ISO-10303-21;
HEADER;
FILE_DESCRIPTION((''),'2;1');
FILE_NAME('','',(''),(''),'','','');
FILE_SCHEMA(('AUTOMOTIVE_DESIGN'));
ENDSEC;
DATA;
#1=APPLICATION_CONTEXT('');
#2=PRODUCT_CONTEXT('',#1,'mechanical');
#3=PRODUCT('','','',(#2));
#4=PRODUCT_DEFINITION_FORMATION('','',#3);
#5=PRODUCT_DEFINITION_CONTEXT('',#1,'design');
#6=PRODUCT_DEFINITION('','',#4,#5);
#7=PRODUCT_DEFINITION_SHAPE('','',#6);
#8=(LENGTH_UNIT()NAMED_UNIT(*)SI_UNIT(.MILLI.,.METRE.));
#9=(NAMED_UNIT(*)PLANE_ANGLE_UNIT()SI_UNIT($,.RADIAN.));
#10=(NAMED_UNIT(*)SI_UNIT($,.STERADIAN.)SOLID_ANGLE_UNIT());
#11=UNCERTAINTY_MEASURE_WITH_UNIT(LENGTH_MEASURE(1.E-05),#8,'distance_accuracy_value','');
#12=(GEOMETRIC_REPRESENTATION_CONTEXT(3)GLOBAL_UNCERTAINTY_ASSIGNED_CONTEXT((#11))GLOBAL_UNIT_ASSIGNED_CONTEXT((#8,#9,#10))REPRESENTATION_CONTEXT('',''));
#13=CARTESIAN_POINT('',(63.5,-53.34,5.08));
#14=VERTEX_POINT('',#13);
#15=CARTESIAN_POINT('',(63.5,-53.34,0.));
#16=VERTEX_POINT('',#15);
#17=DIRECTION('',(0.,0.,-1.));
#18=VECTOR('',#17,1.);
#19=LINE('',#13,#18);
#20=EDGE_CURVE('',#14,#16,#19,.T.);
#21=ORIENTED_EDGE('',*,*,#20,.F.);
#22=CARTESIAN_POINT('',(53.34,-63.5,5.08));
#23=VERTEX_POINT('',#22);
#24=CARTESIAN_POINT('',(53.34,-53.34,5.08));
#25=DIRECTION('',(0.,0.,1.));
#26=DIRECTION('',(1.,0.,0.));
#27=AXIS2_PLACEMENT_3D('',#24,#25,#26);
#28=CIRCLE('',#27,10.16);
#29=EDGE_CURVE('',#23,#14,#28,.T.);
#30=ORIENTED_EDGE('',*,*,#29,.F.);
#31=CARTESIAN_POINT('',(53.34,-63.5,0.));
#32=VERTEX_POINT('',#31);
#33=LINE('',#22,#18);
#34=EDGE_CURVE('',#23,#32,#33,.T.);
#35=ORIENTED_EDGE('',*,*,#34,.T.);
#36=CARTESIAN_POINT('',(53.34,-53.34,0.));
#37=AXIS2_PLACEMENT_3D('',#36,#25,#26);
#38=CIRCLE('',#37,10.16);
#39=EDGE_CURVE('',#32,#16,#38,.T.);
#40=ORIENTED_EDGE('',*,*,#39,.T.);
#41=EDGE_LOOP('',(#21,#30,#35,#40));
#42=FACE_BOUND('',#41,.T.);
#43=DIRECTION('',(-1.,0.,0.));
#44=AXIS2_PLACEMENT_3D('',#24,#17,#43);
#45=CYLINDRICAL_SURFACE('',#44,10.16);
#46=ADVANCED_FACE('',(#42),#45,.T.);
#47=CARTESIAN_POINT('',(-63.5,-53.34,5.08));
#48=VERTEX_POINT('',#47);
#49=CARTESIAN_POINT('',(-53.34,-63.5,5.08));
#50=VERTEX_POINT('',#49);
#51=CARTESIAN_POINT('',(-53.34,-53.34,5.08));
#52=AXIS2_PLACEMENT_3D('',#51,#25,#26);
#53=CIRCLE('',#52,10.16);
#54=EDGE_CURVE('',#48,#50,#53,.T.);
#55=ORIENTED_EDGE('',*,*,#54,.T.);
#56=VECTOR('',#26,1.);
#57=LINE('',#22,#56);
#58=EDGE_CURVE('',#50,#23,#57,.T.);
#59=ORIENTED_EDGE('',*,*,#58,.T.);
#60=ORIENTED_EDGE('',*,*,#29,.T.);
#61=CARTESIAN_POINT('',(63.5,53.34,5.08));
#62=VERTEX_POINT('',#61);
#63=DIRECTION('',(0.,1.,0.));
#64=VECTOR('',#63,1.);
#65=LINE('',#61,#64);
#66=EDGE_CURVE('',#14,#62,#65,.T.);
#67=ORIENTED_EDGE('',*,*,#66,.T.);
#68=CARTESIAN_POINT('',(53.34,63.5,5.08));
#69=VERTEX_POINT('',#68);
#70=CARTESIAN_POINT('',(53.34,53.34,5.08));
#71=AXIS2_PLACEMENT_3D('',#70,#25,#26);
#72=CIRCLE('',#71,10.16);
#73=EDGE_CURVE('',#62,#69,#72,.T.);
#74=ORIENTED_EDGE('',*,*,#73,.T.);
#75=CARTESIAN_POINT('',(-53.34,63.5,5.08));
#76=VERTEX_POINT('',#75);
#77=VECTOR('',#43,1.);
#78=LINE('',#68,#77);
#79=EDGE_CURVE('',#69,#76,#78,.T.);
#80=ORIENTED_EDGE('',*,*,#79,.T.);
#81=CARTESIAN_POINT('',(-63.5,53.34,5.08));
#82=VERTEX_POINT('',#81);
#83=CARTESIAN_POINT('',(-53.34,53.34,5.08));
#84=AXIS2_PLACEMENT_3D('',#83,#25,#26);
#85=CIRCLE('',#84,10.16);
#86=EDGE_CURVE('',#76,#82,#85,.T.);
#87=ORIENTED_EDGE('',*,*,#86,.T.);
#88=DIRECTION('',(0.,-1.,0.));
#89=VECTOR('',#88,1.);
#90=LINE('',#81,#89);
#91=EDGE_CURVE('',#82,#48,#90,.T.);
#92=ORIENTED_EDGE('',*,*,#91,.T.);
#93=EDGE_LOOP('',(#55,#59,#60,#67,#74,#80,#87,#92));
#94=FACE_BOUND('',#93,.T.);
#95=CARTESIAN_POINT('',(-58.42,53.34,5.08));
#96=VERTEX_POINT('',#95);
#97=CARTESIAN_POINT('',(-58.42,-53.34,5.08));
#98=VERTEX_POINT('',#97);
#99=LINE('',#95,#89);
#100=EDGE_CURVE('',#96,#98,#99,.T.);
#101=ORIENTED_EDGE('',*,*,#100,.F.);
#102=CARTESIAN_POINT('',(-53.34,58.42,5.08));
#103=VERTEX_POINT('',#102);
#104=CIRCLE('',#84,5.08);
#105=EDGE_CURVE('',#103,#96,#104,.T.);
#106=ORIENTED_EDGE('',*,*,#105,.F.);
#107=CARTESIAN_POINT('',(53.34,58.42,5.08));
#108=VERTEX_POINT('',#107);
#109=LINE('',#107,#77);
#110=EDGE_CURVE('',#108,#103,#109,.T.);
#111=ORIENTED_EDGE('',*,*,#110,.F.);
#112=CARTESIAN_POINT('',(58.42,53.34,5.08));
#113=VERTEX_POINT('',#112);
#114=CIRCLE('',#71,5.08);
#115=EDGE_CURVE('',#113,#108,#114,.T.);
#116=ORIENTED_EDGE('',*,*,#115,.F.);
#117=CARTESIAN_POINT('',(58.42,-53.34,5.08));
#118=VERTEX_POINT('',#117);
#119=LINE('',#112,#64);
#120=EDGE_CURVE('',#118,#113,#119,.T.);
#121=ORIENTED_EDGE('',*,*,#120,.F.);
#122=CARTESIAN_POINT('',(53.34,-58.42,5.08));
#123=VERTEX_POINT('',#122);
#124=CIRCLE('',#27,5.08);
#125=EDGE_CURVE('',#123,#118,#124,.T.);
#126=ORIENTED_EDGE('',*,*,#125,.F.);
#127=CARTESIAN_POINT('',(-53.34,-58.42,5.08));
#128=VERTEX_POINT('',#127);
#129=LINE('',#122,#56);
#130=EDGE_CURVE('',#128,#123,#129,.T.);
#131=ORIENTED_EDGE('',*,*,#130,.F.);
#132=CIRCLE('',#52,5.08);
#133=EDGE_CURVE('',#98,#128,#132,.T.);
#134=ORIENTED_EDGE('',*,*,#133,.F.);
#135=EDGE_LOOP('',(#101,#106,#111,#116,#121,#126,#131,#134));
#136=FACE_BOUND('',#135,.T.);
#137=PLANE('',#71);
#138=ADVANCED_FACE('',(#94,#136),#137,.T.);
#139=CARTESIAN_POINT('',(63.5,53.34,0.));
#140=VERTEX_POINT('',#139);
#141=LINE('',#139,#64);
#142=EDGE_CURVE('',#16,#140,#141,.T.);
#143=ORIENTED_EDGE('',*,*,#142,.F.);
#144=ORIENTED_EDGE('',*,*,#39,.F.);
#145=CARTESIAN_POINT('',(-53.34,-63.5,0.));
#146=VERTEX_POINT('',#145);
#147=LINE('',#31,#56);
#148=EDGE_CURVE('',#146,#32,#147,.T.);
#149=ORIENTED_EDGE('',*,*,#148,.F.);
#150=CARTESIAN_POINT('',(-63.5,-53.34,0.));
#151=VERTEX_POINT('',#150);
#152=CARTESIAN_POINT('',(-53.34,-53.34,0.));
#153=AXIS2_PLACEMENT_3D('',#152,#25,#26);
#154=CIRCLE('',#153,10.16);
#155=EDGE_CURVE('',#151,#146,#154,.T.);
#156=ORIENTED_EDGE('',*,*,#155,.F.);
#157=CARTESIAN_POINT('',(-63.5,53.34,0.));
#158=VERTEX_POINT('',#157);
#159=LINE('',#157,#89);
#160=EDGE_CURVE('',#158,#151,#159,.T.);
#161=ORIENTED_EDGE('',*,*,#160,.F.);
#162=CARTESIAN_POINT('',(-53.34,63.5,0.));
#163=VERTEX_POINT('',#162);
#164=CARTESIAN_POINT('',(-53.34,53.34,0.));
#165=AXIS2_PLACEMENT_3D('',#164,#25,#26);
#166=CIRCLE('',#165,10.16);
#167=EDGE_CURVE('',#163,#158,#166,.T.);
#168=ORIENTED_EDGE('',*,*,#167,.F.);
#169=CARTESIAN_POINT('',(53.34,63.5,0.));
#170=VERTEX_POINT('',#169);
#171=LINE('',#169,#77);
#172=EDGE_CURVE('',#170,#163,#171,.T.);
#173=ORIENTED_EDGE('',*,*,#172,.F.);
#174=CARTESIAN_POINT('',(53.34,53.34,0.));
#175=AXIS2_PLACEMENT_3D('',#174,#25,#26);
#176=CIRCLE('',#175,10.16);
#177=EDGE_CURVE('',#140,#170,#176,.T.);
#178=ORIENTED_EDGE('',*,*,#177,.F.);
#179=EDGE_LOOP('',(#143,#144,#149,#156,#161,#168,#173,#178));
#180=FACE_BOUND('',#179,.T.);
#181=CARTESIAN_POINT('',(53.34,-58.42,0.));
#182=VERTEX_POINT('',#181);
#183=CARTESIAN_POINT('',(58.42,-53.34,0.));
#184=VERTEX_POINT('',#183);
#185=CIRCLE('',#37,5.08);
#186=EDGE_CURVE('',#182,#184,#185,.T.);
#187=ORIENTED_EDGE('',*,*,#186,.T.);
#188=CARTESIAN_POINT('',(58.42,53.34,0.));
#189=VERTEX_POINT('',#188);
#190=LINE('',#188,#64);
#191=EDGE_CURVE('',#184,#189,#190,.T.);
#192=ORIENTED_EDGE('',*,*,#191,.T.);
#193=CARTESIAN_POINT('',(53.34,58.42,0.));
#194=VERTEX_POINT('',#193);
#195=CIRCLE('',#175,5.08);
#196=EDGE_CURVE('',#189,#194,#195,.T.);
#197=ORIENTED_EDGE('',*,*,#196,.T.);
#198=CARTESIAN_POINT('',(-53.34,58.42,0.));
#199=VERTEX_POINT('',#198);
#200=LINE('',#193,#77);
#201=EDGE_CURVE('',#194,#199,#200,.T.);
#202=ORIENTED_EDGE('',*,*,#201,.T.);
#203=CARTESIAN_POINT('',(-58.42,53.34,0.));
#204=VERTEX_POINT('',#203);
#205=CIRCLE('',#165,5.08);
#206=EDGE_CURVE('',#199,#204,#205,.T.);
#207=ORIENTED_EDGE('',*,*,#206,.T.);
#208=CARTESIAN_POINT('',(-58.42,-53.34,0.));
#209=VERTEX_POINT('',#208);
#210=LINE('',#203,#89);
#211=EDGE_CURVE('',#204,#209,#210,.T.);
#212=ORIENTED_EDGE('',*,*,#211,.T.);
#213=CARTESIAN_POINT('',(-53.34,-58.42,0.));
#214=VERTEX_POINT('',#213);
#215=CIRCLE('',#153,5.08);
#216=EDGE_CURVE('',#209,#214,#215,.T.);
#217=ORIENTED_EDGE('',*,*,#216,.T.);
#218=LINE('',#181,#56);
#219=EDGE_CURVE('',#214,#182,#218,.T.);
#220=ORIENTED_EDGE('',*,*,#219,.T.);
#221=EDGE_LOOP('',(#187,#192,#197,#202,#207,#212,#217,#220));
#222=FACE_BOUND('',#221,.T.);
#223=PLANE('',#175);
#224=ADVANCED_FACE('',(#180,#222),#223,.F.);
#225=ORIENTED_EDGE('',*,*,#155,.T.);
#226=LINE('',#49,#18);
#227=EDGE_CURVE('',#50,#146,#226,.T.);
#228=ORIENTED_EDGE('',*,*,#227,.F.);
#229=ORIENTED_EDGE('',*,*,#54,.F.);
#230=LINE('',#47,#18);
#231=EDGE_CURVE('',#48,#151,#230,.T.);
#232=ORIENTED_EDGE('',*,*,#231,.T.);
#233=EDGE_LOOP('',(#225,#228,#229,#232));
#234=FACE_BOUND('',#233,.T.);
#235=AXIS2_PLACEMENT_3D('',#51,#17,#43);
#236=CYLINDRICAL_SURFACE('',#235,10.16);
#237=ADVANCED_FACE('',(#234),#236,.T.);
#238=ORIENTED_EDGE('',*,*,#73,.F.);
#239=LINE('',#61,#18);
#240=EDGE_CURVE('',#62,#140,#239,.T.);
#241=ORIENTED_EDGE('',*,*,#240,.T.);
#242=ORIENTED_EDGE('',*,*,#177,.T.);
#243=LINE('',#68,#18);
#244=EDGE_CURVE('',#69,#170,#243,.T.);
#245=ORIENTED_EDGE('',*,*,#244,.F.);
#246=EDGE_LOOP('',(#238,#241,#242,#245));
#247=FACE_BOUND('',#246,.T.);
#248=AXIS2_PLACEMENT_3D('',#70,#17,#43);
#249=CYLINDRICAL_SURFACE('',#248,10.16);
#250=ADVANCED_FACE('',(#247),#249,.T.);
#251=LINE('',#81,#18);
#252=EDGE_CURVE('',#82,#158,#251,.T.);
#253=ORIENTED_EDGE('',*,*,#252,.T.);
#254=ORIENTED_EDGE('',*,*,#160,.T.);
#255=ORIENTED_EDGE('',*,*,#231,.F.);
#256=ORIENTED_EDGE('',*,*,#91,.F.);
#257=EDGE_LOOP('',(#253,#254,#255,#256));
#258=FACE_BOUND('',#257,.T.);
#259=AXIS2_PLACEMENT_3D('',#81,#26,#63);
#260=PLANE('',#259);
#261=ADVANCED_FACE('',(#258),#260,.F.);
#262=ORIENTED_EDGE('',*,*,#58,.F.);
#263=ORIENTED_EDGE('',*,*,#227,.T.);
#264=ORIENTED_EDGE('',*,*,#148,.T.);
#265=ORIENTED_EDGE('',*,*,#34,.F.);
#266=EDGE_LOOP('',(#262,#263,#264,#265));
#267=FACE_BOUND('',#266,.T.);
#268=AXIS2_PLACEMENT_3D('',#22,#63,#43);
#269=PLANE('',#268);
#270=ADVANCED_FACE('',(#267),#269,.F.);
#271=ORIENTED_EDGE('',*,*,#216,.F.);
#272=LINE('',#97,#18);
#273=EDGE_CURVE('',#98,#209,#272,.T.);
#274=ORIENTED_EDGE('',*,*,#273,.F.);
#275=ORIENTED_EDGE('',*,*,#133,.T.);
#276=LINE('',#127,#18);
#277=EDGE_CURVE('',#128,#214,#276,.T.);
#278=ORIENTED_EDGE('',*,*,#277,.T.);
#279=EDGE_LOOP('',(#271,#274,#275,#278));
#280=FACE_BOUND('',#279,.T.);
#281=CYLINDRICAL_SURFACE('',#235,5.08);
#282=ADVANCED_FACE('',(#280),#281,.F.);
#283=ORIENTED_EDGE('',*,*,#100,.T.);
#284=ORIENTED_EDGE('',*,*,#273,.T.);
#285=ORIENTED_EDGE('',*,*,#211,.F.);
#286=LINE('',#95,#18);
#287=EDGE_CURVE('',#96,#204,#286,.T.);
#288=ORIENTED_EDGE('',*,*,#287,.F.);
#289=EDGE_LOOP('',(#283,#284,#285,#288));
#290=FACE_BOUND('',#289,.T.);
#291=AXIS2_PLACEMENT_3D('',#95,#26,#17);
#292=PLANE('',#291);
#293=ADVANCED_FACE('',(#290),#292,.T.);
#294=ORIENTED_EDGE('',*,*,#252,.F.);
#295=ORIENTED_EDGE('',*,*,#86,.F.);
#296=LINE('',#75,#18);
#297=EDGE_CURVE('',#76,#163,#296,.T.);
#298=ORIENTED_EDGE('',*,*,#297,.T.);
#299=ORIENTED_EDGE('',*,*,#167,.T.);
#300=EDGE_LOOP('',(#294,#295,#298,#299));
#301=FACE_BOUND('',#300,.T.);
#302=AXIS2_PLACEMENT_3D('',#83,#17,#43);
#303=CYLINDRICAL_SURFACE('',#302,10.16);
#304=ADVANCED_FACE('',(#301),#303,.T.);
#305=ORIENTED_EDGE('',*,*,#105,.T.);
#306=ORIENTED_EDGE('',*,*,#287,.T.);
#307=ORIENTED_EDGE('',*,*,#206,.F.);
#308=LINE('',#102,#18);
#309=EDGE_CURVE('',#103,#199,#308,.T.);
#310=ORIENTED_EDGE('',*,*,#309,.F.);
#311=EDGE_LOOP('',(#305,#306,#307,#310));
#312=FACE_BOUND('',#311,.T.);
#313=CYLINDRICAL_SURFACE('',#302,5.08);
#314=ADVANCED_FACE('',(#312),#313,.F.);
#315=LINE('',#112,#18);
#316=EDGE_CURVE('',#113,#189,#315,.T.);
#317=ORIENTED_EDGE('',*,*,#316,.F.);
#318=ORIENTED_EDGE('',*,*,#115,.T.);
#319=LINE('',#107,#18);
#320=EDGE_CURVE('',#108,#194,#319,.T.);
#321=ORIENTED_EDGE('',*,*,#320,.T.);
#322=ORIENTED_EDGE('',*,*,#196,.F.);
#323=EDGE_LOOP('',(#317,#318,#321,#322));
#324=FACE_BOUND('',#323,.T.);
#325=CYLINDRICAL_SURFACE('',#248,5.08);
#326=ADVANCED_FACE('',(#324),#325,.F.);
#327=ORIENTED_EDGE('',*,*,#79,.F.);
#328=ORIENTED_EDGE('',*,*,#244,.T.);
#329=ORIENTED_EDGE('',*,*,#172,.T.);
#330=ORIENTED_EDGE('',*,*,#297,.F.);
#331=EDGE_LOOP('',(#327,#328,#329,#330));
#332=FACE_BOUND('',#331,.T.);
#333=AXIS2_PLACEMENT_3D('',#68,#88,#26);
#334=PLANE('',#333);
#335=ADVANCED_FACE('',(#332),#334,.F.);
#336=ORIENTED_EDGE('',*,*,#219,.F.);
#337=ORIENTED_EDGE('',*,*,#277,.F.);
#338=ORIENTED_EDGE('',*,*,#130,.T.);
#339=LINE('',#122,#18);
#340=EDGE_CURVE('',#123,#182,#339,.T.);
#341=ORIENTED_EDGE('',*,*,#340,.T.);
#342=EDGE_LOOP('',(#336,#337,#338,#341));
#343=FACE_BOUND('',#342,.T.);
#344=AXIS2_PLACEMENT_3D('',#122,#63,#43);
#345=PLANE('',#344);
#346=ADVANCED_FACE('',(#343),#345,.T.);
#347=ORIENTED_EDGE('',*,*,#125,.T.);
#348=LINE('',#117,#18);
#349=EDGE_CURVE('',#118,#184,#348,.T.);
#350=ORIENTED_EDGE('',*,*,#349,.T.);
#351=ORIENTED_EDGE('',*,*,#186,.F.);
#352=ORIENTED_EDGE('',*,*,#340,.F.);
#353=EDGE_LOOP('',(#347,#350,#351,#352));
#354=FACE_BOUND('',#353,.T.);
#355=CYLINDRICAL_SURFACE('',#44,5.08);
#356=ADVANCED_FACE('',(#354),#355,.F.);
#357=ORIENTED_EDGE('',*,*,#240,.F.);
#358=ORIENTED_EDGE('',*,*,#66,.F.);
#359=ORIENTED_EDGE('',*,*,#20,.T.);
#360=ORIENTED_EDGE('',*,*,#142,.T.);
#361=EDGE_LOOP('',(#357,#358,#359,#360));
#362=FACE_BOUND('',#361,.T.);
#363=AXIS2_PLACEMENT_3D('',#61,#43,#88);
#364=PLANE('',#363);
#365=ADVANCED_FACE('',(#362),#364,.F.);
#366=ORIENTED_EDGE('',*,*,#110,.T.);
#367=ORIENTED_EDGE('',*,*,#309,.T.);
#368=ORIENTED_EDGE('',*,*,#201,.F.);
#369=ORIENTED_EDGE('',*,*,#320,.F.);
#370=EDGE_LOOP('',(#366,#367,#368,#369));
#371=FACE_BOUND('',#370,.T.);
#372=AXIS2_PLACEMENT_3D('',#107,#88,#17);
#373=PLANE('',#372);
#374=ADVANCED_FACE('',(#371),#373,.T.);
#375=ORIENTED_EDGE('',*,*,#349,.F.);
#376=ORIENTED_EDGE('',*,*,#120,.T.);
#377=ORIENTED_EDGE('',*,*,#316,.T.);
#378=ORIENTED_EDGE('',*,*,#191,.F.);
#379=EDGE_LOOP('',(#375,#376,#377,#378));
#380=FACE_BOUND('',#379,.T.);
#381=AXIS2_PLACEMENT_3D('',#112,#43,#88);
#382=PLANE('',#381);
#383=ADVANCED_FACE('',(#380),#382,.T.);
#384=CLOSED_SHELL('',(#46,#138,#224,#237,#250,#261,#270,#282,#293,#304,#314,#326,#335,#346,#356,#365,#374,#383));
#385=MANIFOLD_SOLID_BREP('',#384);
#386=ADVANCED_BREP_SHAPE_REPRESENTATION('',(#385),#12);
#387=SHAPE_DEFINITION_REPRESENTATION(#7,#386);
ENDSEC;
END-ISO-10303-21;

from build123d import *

# Parameters (mm, degrees)
BOSS_EXTRUDE1_DEPTH = 5.08


with BuildPart() as part:
    # Sketch1 → Boss-Extrude1 (new body)
    with BuildSketch(Plane.XY):
        with BuildLine():
            Line((53.34, 63.5), (-53.34, 63.5))
            ThreePointArc((-53.34, 63.5), (-60.524204897, 60.524204897), (-63.5, 53.34))
            Line((-63.5, 53.34), (-63.5, -53.34))
            ThreePointArc((-63.5, -53.34), (-60.524204897, -60.524204897), (-53.34, -63.5))
            Line((-53.34, -63.5), (53.34, -63.5))
            ThreePointArc((53.34, -63.5), (60.524204897, -60.524204897), (63.5, -53.34))
            Line((63.5, -53.34), (63.5, 53.34))
            ThreePointArc((63.5, 53.34), (60.524204897, 60.524204897), (53.34, 63.5))
        make_face()
        with BuildLine():
            Line((53.34, 58.42), (-53.34, 58.42))
            ThreePointArc((-53.34, 58.42), (-56.932102448, 56.932102448), (-58.42, 53.34))
            Line((-58.42, 53.34), (-58.42, -53.34))
            ThreePointArc((-58.42, -53.34), (-56.932102448, -56.932102448), (-53.34, -58.42))
            Line((-53.34, -58.42), (53.34, -58.42))
            ThreePointArc((53.34, -58.42), (56.932102448, -56.932102448), (58.42, -53.34))
            Line((58.42, -53.34), (58.42, 53.34))
            ThreePointArc((58.42, 53.34), (56.932102448, 56.932102448), (53.34, 58.42))
        make_face(mode=Mode.SUBTRACT)
    extrude(amount=BOSS_EXTRUDE1_DEPTH)


solid = part.part
